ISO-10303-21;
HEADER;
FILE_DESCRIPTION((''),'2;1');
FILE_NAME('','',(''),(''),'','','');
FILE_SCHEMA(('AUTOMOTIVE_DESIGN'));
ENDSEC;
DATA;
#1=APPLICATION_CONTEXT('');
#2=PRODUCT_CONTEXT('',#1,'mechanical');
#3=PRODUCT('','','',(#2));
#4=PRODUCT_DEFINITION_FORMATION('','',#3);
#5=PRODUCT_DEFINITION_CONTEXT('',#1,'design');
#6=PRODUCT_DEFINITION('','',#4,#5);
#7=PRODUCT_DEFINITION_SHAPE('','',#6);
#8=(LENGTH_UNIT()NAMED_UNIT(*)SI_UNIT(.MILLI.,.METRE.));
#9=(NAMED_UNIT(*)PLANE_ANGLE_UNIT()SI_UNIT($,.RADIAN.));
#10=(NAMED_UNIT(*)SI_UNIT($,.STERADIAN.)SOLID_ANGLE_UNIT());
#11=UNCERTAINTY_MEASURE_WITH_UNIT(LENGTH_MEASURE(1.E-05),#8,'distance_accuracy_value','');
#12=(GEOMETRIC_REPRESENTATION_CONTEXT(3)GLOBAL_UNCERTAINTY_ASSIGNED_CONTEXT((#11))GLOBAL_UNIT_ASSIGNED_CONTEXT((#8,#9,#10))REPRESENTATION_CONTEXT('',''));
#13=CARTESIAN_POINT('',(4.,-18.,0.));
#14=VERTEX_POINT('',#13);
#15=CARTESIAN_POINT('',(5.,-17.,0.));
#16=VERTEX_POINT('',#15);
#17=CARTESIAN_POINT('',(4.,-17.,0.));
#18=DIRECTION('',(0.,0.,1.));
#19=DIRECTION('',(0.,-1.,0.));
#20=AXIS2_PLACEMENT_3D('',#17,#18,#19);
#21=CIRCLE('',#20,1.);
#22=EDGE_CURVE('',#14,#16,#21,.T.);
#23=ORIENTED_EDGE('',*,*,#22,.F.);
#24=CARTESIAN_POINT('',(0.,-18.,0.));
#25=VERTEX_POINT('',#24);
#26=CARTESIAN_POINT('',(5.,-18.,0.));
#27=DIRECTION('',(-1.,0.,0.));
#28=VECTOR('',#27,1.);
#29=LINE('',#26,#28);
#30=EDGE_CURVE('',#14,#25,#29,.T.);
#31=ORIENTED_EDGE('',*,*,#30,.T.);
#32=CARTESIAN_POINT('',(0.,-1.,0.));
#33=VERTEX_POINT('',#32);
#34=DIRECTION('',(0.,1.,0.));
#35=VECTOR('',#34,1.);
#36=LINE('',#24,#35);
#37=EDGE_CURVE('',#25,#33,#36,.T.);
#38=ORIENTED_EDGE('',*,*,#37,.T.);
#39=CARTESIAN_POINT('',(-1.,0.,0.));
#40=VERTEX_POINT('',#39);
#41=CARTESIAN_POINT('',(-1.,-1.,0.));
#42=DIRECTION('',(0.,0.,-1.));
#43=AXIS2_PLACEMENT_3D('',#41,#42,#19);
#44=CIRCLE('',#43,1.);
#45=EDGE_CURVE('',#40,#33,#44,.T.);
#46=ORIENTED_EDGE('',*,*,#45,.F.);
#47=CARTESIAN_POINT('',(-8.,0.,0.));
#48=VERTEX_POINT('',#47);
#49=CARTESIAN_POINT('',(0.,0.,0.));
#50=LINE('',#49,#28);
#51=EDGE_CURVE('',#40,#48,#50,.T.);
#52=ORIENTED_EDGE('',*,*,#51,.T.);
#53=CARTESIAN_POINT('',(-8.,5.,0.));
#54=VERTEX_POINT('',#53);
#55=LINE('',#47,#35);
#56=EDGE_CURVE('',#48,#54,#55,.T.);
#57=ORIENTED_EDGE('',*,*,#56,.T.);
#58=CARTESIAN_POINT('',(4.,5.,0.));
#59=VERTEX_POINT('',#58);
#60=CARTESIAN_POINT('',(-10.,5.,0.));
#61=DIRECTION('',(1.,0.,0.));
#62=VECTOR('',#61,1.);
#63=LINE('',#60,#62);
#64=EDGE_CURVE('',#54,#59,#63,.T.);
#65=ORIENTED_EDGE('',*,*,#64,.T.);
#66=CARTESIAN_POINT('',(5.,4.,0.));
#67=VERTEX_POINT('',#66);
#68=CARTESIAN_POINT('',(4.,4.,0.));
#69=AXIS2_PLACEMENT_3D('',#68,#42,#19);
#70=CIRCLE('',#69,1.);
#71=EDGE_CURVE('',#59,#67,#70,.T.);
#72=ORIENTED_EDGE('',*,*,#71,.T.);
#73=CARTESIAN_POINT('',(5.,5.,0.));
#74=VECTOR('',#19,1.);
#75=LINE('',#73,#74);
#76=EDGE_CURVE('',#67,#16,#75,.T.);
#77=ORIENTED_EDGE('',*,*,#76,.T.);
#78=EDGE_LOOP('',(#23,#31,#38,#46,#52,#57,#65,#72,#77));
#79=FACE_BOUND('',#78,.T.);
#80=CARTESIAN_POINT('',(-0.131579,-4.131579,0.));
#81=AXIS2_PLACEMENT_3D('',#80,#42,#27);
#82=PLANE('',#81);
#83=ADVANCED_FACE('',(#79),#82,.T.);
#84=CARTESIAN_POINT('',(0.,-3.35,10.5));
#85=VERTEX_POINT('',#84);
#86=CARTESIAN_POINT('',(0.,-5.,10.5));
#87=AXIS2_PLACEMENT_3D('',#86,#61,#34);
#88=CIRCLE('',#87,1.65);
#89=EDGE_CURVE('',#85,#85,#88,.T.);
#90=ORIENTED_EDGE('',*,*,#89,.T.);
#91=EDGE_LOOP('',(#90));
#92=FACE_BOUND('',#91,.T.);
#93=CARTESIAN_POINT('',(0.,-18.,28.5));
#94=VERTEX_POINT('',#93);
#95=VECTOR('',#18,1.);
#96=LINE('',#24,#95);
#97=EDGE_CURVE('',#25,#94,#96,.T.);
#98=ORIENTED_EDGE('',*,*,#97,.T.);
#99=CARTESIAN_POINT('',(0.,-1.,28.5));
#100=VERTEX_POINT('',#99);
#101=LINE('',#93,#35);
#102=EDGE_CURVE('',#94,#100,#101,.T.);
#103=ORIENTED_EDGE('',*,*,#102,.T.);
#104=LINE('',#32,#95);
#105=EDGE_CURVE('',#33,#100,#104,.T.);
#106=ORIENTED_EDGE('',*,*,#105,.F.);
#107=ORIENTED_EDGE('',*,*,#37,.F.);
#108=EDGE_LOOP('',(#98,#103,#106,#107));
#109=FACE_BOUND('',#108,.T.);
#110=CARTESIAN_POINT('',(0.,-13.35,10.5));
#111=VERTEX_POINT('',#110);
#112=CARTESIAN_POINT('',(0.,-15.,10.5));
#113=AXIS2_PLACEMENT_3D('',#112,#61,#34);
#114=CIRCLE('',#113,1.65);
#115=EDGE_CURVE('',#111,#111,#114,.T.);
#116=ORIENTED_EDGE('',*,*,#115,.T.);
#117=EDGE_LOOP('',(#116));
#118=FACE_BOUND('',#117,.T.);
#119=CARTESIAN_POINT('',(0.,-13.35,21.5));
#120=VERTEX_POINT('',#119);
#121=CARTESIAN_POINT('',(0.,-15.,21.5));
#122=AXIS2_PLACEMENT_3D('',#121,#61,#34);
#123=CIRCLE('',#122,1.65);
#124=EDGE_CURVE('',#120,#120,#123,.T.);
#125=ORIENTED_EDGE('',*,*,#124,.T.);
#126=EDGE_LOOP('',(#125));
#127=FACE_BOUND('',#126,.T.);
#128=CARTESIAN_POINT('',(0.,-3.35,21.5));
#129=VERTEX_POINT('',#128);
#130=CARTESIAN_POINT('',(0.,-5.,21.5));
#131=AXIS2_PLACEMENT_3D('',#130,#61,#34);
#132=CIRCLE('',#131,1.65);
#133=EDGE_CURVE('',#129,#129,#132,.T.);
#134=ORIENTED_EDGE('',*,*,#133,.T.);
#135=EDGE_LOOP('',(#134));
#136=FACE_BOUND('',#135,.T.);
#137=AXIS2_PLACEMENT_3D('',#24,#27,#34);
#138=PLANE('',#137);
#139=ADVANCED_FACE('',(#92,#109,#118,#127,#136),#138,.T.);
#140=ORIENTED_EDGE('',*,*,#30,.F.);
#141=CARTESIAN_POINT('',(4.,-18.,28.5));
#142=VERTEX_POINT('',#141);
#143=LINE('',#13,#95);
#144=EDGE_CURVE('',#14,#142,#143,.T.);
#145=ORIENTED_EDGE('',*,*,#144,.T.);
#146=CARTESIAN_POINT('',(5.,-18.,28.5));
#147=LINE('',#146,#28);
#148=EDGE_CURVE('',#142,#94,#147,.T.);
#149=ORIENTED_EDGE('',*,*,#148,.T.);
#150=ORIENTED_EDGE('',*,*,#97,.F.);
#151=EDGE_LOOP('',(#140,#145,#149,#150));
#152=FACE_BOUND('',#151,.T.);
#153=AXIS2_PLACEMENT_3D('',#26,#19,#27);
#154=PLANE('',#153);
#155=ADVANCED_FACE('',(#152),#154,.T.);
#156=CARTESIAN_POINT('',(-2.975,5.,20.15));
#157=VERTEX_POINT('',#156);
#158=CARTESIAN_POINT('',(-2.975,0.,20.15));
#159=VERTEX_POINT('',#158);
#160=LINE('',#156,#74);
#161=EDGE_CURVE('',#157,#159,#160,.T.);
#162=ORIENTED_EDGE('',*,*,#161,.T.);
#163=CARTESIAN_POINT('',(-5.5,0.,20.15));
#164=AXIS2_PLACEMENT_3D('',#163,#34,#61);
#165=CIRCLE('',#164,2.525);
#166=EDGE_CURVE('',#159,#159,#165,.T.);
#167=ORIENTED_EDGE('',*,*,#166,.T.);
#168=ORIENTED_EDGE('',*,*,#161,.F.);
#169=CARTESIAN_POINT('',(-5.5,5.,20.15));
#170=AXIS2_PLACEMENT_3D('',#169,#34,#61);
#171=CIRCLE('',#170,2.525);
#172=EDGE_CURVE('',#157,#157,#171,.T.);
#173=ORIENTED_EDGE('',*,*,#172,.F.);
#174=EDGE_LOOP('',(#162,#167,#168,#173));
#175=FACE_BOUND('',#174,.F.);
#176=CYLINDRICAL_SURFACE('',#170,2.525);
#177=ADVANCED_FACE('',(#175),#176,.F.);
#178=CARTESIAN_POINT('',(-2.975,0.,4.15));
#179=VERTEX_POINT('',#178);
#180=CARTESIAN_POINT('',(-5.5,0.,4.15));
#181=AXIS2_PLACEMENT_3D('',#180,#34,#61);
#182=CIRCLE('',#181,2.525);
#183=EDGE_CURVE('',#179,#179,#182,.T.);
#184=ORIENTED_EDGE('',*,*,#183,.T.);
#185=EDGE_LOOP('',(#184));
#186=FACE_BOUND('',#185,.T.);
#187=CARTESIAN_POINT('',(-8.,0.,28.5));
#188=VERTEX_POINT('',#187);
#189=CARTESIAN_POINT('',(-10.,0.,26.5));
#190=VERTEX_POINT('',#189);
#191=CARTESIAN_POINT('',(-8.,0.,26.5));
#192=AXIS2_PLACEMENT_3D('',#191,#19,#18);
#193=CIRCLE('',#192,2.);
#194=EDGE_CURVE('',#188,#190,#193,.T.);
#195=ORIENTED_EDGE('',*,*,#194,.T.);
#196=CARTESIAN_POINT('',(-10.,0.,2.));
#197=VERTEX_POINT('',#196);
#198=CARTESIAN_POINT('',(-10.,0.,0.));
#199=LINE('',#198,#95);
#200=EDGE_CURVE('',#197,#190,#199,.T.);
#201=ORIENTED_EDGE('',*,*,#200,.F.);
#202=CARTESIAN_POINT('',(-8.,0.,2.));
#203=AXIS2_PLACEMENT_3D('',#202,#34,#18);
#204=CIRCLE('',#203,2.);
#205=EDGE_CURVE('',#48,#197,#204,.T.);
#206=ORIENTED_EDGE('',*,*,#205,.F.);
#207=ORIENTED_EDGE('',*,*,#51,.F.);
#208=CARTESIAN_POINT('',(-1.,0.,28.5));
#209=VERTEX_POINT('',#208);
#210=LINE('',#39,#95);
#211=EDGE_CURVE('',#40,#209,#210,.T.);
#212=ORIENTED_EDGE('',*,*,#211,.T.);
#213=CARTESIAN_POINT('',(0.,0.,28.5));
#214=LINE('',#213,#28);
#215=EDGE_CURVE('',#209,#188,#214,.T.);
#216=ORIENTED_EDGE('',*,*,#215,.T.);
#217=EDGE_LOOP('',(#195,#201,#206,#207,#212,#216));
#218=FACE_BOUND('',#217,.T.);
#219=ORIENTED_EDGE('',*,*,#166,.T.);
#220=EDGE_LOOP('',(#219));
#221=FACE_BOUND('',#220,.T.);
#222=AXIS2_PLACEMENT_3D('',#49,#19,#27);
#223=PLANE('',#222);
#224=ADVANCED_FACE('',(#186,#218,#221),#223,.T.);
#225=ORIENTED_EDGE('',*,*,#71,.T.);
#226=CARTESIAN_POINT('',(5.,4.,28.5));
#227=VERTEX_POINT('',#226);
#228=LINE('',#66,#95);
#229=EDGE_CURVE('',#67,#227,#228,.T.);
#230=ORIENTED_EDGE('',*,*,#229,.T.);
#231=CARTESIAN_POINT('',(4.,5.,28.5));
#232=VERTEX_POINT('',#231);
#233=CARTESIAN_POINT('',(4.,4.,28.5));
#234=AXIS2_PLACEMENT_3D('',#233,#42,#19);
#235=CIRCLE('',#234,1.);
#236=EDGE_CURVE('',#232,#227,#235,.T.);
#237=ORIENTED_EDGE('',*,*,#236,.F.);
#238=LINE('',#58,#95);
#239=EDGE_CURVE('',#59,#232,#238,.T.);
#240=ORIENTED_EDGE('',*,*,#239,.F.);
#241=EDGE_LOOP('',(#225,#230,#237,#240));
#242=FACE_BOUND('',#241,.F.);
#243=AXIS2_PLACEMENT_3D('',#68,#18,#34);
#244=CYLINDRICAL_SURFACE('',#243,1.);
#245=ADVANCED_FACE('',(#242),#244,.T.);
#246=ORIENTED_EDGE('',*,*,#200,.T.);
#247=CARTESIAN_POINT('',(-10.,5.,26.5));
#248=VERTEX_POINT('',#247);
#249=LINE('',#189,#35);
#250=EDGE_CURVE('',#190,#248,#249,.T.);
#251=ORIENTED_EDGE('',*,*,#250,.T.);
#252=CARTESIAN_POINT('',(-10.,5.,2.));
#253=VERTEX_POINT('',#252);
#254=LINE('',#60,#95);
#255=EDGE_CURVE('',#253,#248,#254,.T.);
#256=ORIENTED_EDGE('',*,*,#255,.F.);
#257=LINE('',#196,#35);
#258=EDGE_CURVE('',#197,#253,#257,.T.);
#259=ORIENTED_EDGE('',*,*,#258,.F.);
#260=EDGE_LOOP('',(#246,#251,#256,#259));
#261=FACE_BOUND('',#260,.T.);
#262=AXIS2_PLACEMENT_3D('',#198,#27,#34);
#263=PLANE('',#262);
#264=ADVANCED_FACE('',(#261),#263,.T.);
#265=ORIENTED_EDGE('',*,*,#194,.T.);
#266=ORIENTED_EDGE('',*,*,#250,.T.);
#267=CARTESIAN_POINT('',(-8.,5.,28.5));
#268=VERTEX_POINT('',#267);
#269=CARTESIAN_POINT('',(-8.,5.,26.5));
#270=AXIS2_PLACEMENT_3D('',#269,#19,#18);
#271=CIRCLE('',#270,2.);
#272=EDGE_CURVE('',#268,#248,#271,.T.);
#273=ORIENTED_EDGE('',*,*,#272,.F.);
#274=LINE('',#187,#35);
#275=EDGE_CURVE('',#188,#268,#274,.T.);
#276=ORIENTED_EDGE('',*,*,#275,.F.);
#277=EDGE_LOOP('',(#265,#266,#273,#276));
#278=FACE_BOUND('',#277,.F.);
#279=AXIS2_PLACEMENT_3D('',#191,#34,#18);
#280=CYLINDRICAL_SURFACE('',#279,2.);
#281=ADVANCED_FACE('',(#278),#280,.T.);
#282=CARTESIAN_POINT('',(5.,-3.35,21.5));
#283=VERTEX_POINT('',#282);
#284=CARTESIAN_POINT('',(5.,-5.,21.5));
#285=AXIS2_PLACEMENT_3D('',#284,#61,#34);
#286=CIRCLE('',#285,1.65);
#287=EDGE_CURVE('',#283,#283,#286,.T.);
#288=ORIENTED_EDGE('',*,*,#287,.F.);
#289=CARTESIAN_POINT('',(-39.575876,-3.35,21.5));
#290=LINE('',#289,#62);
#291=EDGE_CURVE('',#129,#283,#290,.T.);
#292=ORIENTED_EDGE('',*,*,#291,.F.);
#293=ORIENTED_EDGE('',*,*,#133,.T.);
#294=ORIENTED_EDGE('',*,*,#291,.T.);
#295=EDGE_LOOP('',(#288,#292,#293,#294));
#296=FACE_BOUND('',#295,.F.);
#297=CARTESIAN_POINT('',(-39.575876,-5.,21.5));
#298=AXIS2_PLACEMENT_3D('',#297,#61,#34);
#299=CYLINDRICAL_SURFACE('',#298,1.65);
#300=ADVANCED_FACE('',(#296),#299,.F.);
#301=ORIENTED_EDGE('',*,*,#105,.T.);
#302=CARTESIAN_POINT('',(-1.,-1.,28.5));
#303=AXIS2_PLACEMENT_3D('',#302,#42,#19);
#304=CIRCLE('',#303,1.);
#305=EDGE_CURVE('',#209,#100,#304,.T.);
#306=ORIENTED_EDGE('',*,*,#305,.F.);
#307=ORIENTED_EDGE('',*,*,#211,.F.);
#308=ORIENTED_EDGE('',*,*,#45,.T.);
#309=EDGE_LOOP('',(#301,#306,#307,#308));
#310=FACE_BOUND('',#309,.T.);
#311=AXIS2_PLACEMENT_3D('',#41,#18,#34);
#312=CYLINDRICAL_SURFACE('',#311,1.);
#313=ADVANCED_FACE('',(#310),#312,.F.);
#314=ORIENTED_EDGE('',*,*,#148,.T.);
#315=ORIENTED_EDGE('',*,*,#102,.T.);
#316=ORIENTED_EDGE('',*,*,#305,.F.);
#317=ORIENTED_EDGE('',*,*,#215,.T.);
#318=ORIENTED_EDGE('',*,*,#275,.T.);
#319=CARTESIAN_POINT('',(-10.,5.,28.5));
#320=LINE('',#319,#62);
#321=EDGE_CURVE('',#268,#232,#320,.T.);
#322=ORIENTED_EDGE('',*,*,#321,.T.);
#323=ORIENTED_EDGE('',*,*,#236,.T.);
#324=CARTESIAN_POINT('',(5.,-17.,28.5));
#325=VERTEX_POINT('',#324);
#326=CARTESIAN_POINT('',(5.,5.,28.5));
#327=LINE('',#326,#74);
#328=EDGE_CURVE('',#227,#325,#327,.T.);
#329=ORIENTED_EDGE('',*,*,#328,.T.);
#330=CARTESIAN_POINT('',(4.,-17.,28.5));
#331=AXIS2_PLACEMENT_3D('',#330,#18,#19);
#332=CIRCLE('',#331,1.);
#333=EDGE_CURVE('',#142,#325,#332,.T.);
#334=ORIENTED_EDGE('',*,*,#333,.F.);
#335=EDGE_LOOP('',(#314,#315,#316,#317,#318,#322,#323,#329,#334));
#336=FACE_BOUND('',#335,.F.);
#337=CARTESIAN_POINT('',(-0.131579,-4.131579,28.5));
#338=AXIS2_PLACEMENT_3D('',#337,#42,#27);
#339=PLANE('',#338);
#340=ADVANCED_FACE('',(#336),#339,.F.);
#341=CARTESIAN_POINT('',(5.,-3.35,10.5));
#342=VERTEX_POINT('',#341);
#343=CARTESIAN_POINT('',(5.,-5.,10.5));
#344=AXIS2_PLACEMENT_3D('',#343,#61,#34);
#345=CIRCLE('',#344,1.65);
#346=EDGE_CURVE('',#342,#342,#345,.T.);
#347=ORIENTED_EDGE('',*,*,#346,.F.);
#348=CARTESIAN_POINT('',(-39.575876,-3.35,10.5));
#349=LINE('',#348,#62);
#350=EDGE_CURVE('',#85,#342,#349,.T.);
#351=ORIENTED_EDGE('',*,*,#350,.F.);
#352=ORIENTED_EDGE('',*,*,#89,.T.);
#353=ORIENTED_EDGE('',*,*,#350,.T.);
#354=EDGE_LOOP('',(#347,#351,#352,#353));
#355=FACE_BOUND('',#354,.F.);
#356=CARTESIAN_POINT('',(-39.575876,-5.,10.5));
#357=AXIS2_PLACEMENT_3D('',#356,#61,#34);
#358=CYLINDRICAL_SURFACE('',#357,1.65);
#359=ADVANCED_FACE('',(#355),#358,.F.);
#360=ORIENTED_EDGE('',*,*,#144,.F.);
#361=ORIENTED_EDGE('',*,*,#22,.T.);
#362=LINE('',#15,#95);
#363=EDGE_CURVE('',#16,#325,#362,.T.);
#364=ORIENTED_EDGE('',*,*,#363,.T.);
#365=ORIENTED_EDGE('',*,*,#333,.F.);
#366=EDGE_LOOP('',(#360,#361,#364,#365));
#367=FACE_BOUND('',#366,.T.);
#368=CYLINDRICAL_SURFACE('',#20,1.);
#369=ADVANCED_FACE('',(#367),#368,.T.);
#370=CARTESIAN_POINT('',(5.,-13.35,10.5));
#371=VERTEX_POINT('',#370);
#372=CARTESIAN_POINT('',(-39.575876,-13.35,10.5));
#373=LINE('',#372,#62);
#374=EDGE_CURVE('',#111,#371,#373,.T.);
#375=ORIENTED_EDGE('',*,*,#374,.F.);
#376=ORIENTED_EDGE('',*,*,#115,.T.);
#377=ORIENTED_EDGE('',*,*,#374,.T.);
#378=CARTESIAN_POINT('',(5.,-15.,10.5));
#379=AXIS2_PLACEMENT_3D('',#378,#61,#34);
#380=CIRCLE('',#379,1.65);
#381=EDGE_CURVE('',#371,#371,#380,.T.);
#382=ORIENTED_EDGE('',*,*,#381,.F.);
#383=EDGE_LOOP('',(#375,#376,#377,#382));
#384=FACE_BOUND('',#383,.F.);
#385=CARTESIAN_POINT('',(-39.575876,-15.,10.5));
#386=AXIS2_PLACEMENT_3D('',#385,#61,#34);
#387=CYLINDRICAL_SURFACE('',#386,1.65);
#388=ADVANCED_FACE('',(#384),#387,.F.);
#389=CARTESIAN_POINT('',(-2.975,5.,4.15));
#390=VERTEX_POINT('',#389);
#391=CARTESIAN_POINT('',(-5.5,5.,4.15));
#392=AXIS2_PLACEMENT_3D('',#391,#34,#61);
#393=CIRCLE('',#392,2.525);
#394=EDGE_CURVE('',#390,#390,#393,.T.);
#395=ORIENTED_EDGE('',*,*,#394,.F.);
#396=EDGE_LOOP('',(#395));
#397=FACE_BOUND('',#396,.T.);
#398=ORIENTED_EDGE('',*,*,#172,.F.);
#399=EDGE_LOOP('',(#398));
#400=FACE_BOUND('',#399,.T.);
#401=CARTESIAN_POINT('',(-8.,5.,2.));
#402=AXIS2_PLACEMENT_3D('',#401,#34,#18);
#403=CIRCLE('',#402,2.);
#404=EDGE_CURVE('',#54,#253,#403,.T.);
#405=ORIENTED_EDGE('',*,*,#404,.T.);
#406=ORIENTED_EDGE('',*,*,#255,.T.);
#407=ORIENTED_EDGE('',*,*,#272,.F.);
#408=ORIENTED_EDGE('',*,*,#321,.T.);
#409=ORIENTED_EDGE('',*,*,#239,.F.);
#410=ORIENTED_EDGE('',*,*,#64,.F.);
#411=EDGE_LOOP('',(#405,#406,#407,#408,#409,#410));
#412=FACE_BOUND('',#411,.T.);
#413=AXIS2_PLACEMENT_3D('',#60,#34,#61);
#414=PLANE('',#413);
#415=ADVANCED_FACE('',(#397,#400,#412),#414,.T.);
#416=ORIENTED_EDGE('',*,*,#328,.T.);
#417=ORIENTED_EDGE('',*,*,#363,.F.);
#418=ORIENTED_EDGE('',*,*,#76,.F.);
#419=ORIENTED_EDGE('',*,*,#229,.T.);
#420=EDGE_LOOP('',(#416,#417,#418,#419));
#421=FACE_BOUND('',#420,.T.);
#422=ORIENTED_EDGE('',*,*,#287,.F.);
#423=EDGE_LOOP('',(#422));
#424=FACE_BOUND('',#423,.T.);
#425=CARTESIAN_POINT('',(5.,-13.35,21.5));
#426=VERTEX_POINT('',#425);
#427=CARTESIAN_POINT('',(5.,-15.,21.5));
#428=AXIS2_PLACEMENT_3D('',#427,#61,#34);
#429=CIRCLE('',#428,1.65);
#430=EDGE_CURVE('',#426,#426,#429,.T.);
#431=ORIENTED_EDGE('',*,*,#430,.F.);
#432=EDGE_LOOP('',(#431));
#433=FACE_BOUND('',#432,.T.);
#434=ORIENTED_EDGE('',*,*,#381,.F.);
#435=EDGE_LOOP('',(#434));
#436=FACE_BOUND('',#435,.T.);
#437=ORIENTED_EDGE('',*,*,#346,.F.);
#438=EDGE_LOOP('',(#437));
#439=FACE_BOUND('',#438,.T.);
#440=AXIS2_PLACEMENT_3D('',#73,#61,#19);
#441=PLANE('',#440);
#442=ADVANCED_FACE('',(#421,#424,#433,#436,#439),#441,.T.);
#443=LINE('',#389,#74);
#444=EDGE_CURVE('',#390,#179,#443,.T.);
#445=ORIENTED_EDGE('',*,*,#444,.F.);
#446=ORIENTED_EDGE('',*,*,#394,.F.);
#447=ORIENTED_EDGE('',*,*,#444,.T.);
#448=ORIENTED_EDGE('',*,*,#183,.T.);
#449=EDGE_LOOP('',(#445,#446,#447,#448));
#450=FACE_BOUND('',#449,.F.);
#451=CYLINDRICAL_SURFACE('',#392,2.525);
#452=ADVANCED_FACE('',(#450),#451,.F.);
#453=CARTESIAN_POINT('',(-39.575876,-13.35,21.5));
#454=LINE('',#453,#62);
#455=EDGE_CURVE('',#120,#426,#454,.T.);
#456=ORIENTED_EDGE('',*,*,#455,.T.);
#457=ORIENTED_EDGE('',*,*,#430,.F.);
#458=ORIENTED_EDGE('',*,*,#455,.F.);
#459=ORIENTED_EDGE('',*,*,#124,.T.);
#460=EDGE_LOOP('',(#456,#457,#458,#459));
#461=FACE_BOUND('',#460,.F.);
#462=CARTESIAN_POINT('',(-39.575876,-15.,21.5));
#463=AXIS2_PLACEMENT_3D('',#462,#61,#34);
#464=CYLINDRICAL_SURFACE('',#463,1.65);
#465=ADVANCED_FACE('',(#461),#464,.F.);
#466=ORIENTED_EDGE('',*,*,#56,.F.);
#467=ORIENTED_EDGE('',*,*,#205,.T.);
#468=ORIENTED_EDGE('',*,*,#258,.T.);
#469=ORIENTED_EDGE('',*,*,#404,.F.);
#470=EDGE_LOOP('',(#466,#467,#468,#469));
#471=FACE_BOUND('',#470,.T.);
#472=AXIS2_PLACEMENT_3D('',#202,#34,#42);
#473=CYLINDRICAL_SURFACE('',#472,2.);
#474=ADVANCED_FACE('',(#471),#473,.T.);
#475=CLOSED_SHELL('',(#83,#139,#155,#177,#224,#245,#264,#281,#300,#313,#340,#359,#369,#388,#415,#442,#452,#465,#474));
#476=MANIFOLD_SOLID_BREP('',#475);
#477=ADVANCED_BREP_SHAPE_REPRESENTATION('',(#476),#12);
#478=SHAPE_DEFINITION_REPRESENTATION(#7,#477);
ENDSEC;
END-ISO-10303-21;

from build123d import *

# Parameters (mm, degrees)
EXTRUDE_1_DEPTH     = 28.5
SKETCH_2_R          = 2.525
CUT_EXTRUDE_1_DEPTH = 28.5
HOLE_WIZARD_M4_1_D  = 3.3
FILLET_1_R          = 2
FILLET_2_R          = 1


with BuildPart() as part:
    # 草图1 → 凸台-拉伸1 (new body)
    with BuildSketch(Plane.XY):
        Polygon((0, 0), (-10, 0), (-10, 5), (5, 5), (5, -18), (0, -18), align=None)
    extrude(amount=EXTRUDE_1_DEPTH)

    # 草图2 → 切除-拉伸1 (cut)
    with BuildSketch(Plane(origin=(0, 5, 0), x_dir=(1, 0, 0), z_dir=(0, 1, 0))):
        with Locations((-5.5, -4.15)):
            Circle(SKETCH_2_R)
        with Locations((-5.5, -20.15)):
            Circle(SKETCH_2_R)
    extrude(amount=-CUT_EXTRUDE_1_DEPTH, mode=Mode.SUBTRACT)

    # M4 螺纹孔1 (through all)
    with Locations(Plane(origin=(0, -5, 10.5), x_dir=(0, -1, 0), z_dir=(-1, 0, 0))):
        with Locations((0, 0), (10, 0), (10, 11), (0, 11)):
            Hole(HOLE_WIZARD_M4_1_D / 2)

    # 圆角1
    fillet_1_edges = [part.edges().sort_by_distance(p)[0] for p in [
        (-10, 2.5, 28.5),
        (-10, 2.5, 0),
    ]]
    fillet(fillet_1_edges, radius=FILLET_1_R)

    # 圆角2
    fillet_2_edges = [part.edges().sort_by_distance(p)[0] for p in [
        (0, 0, 14.25),
        (5, 5, 14.25),
        (5, -18, 14.25),
    ]]
    fillet(fillet_2_edges, radius=FILLET_2_R)


solid = part.part
